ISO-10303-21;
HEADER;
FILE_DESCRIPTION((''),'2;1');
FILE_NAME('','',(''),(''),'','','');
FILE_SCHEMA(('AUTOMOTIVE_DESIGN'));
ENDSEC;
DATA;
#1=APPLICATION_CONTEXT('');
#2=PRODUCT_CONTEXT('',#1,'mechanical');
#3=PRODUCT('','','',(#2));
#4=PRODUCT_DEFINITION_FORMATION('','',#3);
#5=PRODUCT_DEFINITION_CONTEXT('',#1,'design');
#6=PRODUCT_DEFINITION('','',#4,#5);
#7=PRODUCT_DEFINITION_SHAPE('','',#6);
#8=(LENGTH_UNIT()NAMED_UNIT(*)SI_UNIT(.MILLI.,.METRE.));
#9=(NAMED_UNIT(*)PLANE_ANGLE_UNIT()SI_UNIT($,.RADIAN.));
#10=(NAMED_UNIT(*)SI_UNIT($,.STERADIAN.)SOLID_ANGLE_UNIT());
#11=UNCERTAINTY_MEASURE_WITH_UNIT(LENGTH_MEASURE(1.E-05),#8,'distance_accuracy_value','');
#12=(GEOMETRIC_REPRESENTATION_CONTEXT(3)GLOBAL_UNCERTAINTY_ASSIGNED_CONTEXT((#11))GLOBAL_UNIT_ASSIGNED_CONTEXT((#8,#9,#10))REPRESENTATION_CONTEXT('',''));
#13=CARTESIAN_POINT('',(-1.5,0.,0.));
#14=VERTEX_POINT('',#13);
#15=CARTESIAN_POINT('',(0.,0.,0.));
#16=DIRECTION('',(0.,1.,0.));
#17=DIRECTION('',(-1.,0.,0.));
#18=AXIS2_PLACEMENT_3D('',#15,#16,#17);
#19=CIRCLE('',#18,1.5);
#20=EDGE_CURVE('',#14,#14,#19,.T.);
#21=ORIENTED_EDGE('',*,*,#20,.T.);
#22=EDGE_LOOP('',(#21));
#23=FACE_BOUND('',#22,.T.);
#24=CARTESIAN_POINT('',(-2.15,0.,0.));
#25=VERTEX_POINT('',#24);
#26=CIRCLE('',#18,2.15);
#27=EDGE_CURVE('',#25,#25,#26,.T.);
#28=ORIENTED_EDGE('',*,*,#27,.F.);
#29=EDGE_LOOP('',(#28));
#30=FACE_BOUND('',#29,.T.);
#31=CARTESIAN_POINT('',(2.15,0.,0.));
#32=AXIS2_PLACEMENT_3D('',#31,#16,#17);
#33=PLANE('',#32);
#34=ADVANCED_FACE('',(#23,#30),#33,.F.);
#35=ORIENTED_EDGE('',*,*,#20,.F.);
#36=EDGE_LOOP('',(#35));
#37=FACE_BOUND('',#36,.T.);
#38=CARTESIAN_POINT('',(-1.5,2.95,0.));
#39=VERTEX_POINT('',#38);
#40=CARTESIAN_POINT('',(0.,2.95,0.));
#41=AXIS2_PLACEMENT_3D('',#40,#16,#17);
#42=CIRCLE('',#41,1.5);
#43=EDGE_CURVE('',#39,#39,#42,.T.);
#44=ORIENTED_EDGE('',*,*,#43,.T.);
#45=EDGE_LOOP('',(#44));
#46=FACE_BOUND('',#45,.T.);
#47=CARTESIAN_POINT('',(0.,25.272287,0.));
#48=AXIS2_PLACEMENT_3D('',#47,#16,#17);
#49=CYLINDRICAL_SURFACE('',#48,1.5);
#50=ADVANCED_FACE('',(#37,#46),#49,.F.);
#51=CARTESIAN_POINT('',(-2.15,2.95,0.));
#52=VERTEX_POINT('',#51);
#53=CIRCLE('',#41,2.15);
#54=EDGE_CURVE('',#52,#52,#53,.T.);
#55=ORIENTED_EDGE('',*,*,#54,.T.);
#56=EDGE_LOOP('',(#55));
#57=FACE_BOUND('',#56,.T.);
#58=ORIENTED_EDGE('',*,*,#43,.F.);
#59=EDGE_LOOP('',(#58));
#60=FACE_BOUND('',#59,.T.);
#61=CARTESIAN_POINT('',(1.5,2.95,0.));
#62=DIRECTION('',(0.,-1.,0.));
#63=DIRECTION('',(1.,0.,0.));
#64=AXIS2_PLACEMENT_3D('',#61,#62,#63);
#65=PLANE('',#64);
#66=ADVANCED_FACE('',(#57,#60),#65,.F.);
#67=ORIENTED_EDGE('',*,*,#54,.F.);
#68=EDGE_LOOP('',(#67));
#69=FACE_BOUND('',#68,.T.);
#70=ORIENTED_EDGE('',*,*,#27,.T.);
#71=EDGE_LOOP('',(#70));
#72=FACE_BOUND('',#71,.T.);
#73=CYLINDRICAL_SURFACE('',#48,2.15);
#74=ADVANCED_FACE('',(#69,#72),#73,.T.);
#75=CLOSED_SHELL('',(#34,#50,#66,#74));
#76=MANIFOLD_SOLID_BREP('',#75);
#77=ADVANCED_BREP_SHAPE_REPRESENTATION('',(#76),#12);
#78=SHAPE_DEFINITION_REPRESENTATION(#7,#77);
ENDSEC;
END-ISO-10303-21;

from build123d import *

# Parameters (mm, degrees)
SKETCH1_W = 0.65
SKETCH1_H = 2.95


with BuildPart() as part:
    # Sketch1 → Revolve1 (revolve)
    with BuildSketch(Plane.XY, mode=Mode.PRIVATE) as revolve1_sk:
        with Locations((1.825, 1.475)):
            Rectangle(SKETCH1_W, SKETCH1_H)
    revolve(revolve1_sk.sketch.rotate(Axis((0, 25.272286552, 0), (0, -1, 0)), 180), axis=Axis((0, 25.272286552, 0), (0, -1, 0)))


solid = part.part
